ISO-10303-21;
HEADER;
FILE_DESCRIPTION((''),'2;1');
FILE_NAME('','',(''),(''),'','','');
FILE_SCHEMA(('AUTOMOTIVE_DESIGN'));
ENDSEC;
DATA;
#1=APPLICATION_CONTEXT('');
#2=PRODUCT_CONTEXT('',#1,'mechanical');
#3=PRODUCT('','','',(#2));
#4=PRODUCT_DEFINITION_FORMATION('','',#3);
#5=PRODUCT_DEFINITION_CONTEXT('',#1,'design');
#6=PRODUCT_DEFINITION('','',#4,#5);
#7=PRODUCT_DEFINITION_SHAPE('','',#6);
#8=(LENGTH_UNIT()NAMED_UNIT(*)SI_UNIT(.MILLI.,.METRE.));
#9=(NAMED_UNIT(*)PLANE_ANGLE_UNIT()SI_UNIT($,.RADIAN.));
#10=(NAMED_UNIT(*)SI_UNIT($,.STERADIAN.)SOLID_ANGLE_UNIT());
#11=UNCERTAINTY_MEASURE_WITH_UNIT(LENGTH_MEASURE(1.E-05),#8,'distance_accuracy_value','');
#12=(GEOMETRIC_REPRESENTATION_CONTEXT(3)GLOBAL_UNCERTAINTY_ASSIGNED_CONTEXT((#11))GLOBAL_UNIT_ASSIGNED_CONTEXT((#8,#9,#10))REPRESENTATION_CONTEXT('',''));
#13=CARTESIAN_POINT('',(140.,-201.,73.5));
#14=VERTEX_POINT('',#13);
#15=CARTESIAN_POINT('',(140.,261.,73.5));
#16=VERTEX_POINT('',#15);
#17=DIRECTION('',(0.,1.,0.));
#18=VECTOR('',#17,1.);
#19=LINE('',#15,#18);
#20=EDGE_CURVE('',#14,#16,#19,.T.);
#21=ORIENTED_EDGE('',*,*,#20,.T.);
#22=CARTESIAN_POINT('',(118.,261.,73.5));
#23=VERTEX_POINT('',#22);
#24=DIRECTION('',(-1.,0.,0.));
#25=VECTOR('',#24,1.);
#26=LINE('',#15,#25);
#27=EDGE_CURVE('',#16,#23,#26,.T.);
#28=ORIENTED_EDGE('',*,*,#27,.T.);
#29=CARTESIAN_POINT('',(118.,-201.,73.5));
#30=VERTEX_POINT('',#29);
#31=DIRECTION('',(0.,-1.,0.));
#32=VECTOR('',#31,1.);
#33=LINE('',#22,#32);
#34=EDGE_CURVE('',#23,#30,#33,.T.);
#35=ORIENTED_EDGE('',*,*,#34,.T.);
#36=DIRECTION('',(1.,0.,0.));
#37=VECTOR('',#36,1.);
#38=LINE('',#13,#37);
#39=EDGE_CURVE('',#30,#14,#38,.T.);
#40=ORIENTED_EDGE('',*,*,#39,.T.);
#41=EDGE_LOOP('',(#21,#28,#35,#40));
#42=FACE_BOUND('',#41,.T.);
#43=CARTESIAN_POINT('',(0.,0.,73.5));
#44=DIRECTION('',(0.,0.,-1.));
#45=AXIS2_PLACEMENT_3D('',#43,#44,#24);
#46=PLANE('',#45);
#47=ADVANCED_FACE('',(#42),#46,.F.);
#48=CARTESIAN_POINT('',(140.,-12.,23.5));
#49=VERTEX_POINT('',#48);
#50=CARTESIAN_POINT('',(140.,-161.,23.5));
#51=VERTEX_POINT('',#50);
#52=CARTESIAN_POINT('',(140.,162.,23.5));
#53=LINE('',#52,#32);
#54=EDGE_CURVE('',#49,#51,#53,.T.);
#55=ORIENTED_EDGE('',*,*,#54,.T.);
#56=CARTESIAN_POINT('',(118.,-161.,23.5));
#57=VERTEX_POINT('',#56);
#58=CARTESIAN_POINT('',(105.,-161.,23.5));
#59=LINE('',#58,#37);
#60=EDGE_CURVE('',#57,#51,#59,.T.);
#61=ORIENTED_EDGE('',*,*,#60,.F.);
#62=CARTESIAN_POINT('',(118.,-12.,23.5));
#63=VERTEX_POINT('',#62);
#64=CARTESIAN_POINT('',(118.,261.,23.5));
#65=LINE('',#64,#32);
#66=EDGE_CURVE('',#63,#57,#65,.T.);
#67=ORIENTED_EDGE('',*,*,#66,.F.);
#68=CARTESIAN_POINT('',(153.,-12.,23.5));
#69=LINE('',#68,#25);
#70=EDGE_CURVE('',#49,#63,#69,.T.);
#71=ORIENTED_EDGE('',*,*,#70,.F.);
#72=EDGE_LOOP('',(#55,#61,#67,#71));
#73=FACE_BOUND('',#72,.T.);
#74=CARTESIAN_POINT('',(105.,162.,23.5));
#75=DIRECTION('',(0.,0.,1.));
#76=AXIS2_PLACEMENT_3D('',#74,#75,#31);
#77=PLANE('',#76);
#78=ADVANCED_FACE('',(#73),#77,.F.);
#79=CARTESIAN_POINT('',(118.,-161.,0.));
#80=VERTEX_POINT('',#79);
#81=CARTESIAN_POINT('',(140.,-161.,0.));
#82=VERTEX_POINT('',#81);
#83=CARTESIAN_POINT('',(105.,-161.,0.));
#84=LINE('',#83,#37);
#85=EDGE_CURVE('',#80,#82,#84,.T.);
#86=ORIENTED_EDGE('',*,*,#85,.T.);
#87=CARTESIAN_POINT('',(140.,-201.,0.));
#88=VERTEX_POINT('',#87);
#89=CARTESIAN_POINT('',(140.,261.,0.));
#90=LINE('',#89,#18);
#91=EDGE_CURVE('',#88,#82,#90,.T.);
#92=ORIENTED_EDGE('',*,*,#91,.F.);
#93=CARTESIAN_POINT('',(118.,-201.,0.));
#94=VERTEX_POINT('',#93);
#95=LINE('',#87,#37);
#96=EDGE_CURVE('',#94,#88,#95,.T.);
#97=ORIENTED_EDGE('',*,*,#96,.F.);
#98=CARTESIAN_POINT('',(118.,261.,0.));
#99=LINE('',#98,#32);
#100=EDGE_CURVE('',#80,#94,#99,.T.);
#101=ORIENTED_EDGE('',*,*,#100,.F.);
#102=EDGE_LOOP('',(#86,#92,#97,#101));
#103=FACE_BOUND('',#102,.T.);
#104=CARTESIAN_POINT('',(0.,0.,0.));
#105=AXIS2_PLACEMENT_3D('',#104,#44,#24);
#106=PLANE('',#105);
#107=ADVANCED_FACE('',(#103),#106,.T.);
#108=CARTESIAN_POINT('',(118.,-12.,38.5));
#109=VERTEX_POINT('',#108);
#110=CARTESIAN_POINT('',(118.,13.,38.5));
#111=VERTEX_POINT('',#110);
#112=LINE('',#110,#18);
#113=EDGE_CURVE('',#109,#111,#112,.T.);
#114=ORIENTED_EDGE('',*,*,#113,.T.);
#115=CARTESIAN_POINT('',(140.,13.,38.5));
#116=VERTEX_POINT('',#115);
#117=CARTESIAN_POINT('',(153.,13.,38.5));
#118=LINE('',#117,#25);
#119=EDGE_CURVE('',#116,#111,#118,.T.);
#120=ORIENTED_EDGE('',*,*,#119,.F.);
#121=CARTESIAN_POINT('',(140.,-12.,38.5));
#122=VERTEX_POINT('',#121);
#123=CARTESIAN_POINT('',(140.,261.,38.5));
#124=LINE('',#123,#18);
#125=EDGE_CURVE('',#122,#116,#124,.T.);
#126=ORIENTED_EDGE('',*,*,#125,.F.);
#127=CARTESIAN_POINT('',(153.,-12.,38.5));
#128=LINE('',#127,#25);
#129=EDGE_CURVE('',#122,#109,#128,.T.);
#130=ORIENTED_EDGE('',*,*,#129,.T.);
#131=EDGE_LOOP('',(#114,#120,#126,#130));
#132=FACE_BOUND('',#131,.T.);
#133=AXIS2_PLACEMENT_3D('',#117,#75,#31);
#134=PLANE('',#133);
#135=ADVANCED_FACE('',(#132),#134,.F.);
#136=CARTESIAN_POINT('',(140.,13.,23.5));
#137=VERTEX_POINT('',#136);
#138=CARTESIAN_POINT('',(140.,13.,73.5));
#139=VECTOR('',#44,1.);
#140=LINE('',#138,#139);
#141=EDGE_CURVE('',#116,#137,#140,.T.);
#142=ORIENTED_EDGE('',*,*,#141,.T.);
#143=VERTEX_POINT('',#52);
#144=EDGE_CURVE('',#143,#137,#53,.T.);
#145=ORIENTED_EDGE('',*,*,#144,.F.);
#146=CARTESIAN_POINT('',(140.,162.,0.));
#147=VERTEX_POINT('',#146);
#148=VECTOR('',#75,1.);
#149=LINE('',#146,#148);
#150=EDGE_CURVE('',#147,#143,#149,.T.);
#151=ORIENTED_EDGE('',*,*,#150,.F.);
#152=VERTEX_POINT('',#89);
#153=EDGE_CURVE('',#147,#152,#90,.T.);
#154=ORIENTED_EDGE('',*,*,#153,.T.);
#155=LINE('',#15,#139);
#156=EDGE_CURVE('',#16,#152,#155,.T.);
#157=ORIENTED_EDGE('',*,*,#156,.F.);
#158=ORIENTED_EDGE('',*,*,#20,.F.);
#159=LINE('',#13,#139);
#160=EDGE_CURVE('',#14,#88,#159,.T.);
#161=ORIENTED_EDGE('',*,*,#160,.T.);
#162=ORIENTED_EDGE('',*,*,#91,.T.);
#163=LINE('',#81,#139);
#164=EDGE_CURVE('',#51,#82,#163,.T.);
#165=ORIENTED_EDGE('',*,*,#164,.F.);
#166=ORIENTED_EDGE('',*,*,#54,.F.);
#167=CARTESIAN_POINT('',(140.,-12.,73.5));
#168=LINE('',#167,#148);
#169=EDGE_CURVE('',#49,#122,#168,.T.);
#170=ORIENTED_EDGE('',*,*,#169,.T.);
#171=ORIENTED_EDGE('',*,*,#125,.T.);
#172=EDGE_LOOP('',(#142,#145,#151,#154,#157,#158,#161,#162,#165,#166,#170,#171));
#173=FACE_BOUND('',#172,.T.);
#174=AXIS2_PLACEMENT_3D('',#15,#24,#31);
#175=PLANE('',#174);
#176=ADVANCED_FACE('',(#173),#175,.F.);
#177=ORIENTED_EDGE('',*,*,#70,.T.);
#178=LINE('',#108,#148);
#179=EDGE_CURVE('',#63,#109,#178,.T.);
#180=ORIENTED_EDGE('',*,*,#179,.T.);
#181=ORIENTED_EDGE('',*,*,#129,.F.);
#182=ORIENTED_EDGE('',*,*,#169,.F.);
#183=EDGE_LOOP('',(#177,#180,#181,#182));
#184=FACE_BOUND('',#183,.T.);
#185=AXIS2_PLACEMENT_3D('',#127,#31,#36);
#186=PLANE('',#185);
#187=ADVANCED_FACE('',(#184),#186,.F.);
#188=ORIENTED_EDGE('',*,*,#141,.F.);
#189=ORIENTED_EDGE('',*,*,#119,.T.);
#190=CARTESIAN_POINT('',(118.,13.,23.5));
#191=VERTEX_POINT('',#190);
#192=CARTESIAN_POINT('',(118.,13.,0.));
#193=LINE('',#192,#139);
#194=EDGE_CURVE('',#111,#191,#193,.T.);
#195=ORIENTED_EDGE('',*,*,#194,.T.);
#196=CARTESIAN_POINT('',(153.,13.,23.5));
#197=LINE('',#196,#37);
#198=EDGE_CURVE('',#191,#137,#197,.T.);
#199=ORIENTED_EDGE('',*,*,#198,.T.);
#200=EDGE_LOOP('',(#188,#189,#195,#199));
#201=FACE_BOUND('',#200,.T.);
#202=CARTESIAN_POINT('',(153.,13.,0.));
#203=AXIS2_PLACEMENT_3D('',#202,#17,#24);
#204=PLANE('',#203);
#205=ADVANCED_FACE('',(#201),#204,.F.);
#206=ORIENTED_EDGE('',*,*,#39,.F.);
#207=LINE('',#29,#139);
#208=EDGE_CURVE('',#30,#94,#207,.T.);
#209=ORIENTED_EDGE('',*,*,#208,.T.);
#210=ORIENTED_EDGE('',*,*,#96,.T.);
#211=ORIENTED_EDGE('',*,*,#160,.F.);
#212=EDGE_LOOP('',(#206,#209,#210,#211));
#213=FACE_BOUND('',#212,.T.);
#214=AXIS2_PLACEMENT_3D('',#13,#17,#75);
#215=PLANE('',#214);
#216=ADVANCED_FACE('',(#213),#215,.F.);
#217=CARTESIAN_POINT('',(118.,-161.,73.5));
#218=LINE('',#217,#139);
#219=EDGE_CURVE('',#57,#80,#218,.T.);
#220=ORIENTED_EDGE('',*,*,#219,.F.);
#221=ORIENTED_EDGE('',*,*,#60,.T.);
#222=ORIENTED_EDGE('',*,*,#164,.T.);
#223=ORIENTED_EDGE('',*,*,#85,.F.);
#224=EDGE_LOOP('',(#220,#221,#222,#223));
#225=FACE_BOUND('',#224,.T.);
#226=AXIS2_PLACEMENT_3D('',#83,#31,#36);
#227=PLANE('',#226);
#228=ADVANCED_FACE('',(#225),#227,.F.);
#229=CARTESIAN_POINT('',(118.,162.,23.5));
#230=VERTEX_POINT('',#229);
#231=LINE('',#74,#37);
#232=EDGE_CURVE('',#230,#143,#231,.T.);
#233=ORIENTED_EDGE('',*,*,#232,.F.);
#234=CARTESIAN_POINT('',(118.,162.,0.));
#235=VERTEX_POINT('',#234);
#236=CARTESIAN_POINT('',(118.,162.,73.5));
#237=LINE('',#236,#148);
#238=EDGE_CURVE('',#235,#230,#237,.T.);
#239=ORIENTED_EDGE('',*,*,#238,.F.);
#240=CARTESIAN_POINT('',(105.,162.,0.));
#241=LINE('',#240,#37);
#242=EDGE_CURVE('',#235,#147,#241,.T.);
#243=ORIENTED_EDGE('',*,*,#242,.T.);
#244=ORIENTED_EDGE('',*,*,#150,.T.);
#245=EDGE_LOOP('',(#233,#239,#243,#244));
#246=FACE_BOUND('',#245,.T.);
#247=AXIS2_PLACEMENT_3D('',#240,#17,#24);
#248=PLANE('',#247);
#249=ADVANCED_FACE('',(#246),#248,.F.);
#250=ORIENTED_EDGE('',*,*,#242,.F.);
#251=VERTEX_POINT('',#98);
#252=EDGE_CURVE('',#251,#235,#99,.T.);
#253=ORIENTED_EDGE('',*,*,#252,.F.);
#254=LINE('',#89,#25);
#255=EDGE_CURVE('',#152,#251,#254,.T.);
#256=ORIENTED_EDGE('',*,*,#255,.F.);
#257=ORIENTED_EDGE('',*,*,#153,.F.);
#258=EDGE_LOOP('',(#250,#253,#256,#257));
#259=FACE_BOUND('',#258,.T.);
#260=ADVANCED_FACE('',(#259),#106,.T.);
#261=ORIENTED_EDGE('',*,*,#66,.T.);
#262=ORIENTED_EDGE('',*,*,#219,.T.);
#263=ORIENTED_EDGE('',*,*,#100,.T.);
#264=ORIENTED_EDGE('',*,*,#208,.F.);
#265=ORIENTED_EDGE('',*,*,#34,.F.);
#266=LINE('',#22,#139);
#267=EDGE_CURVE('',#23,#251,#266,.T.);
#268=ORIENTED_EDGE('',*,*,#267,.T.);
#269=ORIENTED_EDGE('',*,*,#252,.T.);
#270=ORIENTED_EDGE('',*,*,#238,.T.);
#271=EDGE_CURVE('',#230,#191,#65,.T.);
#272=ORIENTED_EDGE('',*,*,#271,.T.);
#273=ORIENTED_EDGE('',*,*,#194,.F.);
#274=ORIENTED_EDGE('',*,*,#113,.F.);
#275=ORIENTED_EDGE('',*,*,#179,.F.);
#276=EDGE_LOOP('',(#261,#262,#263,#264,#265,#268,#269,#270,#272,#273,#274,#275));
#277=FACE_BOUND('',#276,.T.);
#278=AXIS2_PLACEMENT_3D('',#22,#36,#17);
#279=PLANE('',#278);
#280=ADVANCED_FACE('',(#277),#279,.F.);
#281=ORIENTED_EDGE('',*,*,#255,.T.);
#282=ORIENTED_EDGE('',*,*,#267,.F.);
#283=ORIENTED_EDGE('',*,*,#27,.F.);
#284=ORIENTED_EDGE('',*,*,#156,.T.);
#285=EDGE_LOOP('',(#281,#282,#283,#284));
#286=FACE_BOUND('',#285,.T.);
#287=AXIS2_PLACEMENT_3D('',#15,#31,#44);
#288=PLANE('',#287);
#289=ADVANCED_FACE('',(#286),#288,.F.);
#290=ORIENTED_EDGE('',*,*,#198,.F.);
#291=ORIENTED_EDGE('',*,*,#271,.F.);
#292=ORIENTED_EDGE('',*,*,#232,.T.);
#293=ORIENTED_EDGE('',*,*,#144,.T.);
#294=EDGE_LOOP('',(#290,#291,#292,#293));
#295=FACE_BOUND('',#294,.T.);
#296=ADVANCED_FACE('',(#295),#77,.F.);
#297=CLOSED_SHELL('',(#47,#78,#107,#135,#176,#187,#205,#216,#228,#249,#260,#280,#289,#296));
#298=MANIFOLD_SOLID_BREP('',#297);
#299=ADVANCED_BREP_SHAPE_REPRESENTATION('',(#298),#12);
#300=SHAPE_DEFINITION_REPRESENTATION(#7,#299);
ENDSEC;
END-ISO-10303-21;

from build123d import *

# Parameters (mm, degrees)
ESQUISSE1_W             = 22
ESQUISSE1_H             = 462
BOSS_EXTRU_1_DEPTH      = 73.5
ESQUISSE2_W             = 38.5
ESQUISSE2_H             = 25
ENL_V_MAT_EXTRU_1_DEPTH = 35
ESQUISSE3_W             = 23.5
ESQUISSE3_H             = 323
ENL_V_MAT_EXTRU_2_DEPTH = 35


with BuildPart() as part:
    # Esquisse1 → Boss.-Extru.1 (new body)
    with BuildSketch(Plane.XY):
        with Locations((129, 30)):
            Rectangle(ESQUISSE1_W, ESQUISSE1_H)
    extrude(amount=BOSS_EXTRU_1_DEPTH)

    # Esquisse2 → Enlèv. mat.-Extru.1 (cut)
    with BuildSketch(Plane.ZY.offset(-118)):
        with Locations((19.25, 0.5)):
            Rectangle(ESQUISSE2_W, ESQUISSE2_H)
    extrude(amount=-ENL_V_MAT_EXTRU_1_DEPTH, mode=Mode.SUBTRACT)

    # Esquisse3 → Enlèv. mat.-Extru.2 (cut)
    with BuildSketch(Plane(origin=(140, 0, 0), x_dir=(0, 0, -1), z_dir=(1, 0, 0))):
        with Locations((-11.75, 0.5)):
            Rectangle(ESQUISSE3_W, ESQUISSE3_H)
    extrude(amount=-ENL_V_MAT_EXTRU_2_DEPTH, mode=Mode.SUBTRACT)


solid = part.part
